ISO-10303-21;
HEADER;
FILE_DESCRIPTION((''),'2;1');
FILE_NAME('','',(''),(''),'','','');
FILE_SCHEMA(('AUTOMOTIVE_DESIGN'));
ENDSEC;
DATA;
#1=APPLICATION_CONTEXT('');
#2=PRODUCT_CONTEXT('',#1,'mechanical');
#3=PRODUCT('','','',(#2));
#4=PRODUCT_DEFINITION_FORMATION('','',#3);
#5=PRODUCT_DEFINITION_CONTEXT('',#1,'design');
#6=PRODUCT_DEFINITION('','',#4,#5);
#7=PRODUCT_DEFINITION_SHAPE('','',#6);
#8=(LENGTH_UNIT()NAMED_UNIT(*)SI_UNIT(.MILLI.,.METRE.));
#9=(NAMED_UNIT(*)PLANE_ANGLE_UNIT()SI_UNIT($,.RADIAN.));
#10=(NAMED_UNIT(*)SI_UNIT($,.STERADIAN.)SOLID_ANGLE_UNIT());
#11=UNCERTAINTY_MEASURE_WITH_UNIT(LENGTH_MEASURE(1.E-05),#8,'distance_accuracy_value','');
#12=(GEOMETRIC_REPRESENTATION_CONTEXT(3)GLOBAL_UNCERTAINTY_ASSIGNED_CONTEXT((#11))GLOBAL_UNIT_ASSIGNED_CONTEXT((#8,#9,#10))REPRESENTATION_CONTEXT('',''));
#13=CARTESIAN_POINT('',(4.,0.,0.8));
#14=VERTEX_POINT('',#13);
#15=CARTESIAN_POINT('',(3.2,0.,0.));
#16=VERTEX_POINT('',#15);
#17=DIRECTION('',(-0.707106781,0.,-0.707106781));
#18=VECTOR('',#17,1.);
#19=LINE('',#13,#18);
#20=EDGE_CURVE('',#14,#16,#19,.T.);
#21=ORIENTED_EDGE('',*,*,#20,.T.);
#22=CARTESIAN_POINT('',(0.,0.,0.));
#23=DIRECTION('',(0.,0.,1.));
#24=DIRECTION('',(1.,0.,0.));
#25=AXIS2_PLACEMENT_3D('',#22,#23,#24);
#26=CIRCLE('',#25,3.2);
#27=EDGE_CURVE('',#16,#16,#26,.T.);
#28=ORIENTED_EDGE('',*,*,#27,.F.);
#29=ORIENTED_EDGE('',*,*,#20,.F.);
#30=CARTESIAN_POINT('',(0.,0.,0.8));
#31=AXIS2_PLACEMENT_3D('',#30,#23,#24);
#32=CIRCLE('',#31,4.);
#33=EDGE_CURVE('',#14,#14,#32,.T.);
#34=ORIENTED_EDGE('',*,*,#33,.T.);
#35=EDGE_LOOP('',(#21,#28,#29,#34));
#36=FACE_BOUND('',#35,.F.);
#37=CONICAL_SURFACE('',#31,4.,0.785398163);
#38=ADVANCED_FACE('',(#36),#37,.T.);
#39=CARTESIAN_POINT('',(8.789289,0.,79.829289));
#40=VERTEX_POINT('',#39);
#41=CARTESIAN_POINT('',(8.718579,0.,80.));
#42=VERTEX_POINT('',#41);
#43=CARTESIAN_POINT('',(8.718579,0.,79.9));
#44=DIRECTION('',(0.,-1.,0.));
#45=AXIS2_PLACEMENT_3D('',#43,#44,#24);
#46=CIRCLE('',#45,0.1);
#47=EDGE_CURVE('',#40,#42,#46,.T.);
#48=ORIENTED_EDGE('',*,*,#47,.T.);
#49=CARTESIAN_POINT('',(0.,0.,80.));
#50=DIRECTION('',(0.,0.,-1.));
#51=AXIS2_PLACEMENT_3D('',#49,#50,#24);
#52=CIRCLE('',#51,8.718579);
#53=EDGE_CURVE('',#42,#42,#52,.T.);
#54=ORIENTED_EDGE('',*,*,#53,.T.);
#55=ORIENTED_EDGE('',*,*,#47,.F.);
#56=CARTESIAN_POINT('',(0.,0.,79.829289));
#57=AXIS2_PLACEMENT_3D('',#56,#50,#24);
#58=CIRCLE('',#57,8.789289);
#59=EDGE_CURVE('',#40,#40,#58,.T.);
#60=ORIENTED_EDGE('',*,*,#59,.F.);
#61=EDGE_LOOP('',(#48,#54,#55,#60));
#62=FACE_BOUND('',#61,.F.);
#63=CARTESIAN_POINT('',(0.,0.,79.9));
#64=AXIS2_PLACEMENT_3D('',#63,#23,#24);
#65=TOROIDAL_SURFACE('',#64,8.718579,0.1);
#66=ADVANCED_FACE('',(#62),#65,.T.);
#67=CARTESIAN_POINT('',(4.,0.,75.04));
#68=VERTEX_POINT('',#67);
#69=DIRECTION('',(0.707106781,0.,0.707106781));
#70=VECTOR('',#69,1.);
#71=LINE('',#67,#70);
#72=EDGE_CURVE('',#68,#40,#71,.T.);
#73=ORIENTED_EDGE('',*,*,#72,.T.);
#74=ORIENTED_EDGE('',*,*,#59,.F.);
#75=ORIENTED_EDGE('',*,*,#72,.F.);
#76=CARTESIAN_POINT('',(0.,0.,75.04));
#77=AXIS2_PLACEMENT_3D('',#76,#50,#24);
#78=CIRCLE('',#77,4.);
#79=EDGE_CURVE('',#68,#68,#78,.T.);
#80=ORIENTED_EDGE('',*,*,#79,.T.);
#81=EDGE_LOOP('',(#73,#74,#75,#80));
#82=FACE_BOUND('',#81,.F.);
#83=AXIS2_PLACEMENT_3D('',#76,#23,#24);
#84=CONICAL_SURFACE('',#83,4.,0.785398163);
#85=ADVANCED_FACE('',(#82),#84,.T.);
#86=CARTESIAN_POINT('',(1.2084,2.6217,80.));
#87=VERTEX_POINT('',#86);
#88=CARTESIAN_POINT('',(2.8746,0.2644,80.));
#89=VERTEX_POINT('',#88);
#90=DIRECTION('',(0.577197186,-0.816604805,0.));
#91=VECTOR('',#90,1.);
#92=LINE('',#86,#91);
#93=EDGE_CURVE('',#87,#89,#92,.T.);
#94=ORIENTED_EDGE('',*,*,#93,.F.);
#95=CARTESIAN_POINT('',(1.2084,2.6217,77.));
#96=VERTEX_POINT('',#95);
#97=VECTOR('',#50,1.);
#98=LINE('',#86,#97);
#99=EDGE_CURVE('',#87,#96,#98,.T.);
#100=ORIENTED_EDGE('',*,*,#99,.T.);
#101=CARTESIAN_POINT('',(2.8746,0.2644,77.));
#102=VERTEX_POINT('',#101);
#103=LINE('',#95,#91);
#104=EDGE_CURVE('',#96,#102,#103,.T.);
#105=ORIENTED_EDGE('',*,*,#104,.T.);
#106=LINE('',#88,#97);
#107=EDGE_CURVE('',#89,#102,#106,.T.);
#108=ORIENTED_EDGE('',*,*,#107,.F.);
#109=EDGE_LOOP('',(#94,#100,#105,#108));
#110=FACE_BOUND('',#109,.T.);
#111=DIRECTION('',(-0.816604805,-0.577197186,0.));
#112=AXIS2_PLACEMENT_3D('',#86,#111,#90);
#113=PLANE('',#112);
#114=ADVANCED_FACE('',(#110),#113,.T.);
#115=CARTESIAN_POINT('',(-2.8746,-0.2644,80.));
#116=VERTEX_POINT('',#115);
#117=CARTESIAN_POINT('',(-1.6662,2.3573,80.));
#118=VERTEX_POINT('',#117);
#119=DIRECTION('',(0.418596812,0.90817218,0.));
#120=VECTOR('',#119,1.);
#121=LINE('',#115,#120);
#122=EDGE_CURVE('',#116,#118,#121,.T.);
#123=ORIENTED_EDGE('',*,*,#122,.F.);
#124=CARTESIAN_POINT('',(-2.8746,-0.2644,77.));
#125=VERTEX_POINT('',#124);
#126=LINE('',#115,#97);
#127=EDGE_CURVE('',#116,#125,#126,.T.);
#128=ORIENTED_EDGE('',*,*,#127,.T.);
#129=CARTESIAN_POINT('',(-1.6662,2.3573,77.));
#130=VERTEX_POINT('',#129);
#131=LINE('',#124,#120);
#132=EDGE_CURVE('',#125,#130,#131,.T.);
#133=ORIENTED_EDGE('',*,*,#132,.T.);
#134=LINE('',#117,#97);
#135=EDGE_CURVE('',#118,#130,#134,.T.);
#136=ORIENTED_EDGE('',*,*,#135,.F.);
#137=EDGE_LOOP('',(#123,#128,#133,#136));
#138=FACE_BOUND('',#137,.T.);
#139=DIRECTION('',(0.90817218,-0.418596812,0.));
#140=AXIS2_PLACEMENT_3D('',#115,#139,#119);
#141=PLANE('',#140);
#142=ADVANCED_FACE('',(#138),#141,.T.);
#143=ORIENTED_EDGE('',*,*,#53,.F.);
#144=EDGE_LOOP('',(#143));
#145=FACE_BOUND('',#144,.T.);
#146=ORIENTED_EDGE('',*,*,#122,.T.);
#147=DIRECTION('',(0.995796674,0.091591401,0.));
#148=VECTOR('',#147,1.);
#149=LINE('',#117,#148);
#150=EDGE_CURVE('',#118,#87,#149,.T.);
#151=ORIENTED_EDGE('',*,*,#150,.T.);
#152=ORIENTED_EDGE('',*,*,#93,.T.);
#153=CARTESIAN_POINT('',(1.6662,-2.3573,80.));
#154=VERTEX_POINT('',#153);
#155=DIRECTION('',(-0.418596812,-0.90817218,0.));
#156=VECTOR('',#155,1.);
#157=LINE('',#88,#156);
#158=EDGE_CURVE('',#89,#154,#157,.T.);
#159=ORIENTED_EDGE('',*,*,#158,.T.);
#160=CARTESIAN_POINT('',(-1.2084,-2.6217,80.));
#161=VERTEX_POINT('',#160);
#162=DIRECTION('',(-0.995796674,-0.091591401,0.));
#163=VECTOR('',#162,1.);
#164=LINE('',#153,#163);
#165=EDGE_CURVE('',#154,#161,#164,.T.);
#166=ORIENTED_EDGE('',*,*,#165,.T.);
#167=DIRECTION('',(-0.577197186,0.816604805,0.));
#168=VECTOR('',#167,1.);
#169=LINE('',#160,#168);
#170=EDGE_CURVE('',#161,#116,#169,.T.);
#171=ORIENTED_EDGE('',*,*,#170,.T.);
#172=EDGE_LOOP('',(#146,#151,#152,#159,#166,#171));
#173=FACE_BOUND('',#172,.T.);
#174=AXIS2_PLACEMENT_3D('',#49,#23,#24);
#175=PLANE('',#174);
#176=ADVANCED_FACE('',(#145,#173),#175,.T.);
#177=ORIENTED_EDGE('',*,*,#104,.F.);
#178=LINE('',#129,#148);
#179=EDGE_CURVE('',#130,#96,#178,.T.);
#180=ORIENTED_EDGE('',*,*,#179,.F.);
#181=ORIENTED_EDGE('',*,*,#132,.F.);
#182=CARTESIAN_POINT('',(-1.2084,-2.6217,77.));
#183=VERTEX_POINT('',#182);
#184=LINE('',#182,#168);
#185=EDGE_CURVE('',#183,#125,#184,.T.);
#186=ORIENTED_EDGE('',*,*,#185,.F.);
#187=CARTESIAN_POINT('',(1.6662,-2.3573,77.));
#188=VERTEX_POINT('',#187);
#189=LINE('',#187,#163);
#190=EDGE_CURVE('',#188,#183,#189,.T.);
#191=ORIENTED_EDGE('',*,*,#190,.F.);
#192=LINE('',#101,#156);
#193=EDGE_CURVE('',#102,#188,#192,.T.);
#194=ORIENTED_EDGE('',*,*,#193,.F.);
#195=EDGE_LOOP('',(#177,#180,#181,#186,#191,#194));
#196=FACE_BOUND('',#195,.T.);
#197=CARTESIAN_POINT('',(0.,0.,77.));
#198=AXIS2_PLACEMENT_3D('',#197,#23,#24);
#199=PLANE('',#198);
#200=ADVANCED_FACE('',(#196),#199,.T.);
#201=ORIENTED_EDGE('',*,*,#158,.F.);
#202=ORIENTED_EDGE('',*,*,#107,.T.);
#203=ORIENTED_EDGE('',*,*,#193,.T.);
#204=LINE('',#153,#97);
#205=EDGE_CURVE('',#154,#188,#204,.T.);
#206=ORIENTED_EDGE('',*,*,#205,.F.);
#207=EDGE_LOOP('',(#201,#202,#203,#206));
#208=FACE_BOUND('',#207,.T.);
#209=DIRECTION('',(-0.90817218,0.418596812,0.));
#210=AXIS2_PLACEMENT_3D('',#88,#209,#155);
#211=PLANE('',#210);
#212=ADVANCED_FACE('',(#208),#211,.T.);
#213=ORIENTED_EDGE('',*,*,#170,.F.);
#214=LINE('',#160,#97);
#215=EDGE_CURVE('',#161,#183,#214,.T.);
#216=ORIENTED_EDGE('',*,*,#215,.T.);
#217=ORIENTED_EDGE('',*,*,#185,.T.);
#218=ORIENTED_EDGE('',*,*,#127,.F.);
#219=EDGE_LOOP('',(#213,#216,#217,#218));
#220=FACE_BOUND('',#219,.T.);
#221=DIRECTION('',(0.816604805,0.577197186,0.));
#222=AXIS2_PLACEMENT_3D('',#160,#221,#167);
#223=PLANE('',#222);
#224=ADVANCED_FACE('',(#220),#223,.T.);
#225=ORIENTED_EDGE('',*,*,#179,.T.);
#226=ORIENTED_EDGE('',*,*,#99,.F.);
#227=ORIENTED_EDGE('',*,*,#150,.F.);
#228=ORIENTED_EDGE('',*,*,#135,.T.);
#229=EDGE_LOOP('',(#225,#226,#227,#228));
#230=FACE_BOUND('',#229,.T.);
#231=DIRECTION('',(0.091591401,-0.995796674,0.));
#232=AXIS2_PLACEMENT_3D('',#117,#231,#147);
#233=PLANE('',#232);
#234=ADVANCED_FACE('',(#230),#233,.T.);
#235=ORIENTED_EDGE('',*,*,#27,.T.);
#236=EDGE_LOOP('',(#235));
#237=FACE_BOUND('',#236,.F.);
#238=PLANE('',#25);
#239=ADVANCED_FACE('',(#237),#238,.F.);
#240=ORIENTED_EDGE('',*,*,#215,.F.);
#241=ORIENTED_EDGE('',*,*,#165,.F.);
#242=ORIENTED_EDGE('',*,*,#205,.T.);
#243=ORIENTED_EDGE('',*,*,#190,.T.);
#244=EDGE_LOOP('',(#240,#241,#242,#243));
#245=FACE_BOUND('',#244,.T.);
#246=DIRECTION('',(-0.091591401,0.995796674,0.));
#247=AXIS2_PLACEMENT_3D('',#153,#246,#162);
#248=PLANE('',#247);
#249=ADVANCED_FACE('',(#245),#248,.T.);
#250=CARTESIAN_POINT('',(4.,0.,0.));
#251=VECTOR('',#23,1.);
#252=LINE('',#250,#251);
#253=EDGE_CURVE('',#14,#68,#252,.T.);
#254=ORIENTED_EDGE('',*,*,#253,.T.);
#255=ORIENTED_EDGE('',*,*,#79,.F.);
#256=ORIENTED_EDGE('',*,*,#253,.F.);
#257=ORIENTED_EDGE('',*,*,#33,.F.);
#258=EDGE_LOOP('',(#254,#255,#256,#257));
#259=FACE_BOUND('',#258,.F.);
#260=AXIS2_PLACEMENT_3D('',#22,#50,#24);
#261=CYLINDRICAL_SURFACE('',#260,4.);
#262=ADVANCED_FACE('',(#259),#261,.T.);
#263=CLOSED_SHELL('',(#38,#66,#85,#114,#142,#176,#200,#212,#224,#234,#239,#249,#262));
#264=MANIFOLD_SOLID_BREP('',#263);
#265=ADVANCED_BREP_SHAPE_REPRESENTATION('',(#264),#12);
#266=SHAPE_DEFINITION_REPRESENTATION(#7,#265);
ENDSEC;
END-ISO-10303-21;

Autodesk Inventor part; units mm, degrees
ref_plane "YZ Plane" through (0, 0, 0) normal (1, 0, 0) x (0, 1, 0)
ref_plane "XZ Plane" through (0, 0, 0) normal (0, 1, 0) x (-1, 0, 0)
ref_plane "XY Plane" through (0, 0, 0) normal (0, 0, 1) x (1, 0, 0)
sketch "Sketch1" plane through (0, 0, 0) normal (0, 0, 1) x (1, 0, 0)
  circle A0 centre (0, 0) radius 4
  dimension "Diameter" = 8
extrude "Extrusion1" add sketch "Sketch1" along normal blind 75.04
sketch "Sketch2" plane through (0, 0, 75.04) normal (0, 0, 1) x (1, 0, 0)
  circle A0 centre (0, 0) radius 4 projected
extrude "Extrusion2" add sketch "Sketch2" along normal blind 4.96 draft 45
sketch "Sketch3" plane through (0, 0, 80) normal (0, 0, 1) x (1, 0, 0)
  circle A0 centre (0, 0) radius 8.96 projected
  circle A1 centre (0, 0) radius 2.8868 construction
  line L0 (1.2084, 2.6217) -> (2.8746, 0.2644)
  line L1 (2.8746, 0.2644) -> (1.6662, -2.3573)
  line L2 (1.6662, -2.3573) -> (-1.2084, -2.6217)
  line L3 (-1.2084, -2.6217) -> (-2.8746, -0.2644)
  line L4 (-2.8746, -0.2644) -> (-1.6662, 2.3573)
  line L5 (-1.6662, 2.3573) -> (1.2084, 2.6217)
  dimension "Hex_Width" = 5
extrude "Extrusion3" cut sketch "Sketch3" against normal blind 3 contours L0 L1 L2 L3 L4 L5
thread "Thread1" size "M8x1.25" class "4g6g" standard "ANSI Metric M Profile" length 45
chamfer "Chamfer2" distance 0.8 angle 45 1 edges at (-4, 0, 0)
fillet "Fillet1" radius 0.1 1 edges at (-8.96, 0, 80)
equation "\"d10\" = Thread_Length"
equation "\"d13\" = Chamfer"
equation "\"Thread_Length\" = 45"
equation "\"Chamfer\" = 0.8"
properties part number "SCREW,FLAT HD,P, 5,M8X1.25X80MM"
